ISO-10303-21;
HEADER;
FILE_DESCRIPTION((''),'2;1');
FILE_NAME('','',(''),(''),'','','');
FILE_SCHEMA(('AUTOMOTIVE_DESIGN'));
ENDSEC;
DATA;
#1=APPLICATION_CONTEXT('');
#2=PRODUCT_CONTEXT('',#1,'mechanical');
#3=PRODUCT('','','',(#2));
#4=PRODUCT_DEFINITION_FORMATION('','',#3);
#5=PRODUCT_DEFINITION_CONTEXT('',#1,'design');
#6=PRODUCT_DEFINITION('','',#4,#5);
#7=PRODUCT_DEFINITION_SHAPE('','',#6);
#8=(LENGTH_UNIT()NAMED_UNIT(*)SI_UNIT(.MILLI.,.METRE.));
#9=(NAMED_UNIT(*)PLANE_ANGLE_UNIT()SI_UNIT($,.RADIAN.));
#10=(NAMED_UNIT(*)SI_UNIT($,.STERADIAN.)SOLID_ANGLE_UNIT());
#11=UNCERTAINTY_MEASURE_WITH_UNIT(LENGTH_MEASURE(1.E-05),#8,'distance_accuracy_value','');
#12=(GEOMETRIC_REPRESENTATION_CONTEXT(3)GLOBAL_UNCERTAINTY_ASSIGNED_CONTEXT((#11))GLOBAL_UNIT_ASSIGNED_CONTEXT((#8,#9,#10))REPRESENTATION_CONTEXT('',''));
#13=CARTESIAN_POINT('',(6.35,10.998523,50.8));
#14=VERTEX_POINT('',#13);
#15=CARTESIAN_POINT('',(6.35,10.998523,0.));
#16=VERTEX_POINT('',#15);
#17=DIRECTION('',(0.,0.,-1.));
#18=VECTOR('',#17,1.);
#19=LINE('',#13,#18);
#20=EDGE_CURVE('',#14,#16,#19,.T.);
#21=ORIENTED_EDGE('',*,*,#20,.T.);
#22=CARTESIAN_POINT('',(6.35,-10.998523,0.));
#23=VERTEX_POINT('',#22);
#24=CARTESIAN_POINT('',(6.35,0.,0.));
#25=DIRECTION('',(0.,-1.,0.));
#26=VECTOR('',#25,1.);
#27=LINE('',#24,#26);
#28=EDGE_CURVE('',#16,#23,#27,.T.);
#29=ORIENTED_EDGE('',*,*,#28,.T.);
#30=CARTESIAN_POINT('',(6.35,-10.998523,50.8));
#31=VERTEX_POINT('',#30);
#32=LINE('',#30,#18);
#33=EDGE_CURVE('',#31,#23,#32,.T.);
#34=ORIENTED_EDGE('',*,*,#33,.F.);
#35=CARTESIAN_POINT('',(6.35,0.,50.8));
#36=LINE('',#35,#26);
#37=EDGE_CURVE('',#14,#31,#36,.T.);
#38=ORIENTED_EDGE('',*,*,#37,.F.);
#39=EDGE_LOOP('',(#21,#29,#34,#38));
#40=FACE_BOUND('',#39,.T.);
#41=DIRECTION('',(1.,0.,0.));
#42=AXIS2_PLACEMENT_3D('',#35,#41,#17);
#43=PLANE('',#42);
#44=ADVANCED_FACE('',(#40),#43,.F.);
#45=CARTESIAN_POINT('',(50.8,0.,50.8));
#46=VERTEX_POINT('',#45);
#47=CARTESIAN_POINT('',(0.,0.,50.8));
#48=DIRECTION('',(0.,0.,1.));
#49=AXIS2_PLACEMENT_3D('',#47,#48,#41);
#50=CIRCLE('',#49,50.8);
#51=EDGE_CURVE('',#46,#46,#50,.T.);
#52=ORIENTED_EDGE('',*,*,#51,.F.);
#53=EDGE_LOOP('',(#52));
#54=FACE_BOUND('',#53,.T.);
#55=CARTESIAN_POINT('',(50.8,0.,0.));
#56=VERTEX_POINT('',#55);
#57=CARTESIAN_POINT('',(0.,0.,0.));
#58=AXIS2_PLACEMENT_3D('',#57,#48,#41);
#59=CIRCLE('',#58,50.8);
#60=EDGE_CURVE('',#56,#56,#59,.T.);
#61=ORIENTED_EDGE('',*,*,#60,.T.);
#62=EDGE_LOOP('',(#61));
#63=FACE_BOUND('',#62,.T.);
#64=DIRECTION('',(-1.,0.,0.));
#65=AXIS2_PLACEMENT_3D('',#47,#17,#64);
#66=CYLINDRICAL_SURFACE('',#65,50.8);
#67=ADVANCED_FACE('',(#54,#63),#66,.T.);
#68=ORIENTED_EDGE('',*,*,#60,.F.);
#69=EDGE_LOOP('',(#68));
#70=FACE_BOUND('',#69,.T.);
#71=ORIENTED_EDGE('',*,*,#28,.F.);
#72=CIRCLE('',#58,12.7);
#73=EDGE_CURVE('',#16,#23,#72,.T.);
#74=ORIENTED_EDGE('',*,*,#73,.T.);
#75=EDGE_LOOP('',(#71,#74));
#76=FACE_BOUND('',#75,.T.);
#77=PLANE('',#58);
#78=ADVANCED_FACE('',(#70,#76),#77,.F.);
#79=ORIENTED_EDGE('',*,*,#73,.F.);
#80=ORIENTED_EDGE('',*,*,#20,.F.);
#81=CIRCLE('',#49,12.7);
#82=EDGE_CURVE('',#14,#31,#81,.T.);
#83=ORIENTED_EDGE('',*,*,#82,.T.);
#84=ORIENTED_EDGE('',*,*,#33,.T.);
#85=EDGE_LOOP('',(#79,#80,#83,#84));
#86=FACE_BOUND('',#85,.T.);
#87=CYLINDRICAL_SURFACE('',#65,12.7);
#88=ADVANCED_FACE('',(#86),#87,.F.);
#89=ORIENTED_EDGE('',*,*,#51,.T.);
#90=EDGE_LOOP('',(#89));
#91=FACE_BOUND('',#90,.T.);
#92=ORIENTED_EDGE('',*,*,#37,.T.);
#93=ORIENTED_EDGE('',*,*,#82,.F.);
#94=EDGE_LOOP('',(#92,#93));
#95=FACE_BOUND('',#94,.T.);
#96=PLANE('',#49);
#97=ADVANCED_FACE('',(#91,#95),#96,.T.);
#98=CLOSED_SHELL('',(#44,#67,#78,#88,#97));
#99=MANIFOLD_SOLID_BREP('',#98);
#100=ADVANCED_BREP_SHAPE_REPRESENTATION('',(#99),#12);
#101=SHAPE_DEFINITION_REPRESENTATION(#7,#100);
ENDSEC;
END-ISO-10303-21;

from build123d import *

# Parameters (mm, degrees)
SKETCH1_R           = 50.8
BOSS_EXTRUDE1_DEPTH = 50.8


with BuildPart() as part:
    # Sketch1 → Boss-Extrude1 (new body)
    with BuildSketch(Plane.XY):
        Circle(SKETCH1_R)
        with BuildLine():
            Line((6.35, 10.998522628), (6.35, -10.998522628))
            ThreePointArc((6.35, -10.998522628), (-12.7, 0), (6.35, 10.998522628))
        make_face(mode=Mode.SUBTRACT)
    extrude(amount=BOSS_EXTRUDE1_DEPTH)


solid = part.part
